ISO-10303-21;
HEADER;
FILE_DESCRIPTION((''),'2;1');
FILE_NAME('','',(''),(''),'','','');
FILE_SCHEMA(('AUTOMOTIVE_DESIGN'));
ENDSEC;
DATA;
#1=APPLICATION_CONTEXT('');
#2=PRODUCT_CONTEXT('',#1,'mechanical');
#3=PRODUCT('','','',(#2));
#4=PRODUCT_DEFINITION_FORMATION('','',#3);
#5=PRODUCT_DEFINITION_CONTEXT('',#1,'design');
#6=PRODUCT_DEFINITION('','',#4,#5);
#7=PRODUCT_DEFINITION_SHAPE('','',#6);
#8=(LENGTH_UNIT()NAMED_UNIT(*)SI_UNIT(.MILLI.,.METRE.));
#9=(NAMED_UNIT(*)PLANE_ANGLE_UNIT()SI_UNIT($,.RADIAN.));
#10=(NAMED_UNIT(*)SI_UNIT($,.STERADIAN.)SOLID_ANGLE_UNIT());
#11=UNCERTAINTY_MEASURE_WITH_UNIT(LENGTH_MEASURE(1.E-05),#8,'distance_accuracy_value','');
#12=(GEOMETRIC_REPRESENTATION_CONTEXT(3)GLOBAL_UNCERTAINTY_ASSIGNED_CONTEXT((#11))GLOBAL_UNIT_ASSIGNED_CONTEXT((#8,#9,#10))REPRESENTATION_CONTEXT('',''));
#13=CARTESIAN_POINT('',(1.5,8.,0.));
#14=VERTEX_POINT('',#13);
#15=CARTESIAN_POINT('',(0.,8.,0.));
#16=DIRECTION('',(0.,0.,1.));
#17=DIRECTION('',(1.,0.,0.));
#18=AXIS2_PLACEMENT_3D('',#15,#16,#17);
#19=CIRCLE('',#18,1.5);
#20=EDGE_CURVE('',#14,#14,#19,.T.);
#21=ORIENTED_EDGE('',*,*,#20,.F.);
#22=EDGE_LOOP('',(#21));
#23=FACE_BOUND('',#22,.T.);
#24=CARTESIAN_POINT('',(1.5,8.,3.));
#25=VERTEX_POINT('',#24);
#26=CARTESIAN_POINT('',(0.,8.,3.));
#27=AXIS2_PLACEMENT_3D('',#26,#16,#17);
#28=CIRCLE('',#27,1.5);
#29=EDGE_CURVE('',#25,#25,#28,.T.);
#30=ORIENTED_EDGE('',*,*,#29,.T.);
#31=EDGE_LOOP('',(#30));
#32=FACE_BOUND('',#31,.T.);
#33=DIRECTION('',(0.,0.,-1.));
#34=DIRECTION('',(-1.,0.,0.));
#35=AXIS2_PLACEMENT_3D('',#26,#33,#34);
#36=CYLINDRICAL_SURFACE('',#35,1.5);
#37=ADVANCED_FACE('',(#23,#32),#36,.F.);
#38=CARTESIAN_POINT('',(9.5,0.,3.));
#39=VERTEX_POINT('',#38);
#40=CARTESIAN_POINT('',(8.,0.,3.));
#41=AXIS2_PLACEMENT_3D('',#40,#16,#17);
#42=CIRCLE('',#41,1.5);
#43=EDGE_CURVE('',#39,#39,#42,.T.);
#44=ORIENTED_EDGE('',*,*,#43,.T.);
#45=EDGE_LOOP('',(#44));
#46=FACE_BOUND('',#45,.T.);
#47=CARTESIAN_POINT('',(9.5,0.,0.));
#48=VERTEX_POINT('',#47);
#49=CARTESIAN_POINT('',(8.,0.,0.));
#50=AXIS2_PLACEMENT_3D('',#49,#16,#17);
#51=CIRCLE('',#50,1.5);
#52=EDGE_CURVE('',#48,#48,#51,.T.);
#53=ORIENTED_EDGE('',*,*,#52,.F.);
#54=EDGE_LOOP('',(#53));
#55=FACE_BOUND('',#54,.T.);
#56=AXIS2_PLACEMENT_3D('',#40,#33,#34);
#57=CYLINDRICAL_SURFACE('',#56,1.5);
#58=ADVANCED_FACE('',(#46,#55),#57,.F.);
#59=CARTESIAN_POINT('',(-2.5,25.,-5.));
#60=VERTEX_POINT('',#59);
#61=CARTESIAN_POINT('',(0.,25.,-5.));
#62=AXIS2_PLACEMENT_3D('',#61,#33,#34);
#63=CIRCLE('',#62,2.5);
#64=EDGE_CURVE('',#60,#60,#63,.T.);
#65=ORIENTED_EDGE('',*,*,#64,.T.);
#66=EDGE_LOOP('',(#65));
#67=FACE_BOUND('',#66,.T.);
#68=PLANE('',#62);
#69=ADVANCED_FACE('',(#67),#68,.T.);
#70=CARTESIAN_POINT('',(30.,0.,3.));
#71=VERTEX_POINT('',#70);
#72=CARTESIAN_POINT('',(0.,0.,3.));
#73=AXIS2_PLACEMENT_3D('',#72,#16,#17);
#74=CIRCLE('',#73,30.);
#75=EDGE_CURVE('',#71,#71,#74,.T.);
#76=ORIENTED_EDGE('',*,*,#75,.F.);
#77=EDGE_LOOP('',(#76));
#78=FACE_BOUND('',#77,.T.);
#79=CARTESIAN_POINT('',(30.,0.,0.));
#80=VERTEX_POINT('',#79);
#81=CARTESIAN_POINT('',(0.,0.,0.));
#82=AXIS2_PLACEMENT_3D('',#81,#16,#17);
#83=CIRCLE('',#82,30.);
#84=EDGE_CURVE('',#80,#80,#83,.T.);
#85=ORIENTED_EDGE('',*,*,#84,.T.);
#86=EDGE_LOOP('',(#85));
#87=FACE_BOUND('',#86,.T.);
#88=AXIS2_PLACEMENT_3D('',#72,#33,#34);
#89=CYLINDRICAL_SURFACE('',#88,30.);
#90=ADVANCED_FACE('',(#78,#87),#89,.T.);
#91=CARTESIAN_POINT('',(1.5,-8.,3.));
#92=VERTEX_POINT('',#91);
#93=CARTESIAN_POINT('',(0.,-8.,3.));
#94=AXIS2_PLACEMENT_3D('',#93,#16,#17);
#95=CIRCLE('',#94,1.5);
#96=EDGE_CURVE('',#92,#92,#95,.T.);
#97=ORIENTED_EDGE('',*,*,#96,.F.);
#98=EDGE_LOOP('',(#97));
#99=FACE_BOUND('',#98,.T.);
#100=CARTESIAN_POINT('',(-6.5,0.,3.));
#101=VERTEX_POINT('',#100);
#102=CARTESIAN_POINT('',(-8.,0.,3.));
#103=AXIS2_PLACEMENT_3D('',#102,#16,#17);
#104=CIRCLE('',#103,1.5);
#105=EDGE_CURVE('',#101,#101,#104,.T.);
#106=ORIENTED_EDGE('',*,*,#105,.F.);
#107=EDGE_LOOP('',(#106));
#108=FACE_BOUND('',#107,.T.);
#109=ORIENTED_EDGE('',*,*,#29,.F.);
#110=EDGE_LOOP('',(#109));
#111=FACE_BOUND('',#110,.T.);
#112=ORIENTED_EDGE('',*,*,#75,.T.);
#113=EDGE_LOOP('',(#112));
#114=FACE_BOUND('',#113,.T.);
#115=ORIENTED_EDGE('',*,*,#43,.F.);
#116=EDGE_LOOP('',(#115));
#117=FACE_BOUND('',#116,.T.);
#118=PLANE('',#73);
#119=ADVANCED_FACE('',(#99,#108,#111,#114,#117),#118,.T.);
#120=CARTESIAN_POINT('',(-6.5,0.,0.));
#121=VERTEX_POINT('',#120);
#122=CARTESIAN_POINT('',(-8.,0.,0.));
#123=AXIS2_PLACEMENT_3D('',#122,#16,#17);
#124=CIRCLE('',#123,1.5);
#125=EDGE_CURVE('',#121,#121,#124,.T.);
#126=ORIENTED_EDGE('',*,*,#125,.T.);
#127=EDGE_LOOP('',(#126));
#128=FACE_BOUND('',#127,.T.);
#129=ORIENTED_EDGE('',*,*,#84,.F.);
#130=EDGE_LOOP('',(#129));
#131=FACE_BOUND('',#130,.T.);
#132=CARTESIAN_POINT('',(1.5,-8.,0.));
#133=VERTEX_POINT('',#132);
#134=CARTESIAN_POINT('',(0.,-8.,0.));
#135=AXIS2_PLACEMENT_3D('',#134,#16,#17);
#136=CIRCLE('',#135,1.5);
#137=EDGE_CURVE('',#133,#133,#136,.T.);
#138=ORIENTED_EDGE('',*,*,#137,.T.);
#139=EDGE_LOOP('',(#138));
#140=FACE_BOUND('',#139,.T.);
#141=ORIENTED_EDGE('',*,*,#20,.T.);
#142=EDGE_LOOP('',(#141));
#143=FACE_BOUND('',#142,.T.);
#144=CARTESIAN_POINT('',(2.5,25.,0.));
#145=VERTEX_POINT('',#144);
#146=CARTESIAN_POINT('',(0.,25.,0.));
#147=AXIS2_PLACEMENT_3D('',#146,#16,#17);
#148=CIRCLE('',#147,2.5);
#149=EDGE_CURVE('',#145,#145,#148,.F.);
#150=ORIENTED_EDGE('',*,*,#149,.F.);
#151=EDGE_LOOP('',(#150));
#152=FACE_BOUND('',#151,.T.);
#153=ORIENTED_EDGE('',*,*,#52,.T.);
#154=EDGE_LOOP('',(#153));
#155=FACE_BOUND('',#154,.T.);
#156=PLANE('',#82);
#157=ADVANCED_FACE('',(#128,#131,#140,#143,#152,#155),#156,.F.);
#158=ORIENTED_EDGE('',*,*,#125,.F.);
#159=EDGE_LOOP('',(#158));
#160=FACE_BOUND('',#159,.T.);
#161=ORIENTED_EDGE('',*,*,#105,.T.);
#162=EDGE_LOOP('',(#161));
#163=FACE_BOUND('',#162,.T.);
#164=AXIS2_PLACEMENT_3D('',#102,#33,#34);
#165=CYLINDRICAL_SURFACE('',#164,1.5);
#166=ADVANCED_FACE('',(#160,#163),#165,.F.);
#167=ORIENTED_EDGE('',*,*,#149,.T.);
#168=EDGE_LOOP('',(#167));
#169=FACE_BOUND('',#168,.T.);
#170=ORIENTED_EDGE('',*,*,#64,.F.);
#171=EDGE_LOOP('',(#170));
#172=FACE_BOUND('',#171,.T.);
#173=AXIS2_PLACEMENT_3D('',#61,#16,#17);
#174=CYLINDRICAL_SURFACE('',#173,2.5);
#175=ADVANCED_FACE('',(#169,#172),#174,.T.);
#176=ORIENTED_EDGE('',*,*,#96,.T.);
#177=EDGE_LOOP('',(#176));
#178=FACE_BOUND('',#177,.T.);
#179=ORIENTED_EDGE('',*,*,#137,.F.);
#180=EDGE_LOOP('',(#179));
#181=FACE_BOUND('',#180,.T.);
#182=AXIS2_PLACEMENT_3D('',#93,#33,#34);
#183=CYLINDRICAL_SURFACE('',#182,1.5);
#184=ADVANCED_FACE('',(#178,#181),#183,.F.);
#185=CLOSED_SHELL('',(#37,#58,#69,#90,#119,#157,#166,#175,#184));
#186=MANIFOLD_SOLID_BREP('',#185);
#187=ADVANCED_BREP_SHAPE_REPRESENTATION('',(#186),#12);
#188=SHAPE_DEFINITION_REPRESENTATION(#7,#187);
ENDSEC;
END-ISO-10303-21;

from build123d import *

# Parameters (mm, degrees)
SKETCH3_R           = 30
SKETCH3_R_2         = 1.5
BOSS_EXTRUDE2_DEPTH = 3
SKETCH4_R           = 2.5
BOSS_EXTRUDE3_DEPTH = 5


with BuildPart() as part:
    # Sketch3 → Boss-Extrude2 (new body)
    with BuildSketch(Plane.XY):
        Circle(SKETCH3_R)
        with Locations((-8, 0)):
            Circle(SKETCH3_R_2, mode=Mode.SUBTRACT)
        with Locations((0, 8)):
            Circle(SKETCH3_R_2, mode=Mode.SUBTRACT)
        with Locations((8, 0)):
            Circle(SKETCH3_R_2, mode=Mode.SUBTRACT)
        with Locations((0, -8)):
            Circle(SKETCH3_R_2, mode=Mode.SUBTRACT)
    extrude(amount=BOSS_EXTRUDE2_DEPTH)

    # Sketch4 → Boss-Extrude3 (add)
    with BuildSketch(Plane(origin=(0, 0, 0), x_dir=(-1, 0, 0), z_dir=(0, 0, -1))):
        with Locations((0, 25)):
            Circle(SKETCH4_R)
    extrude(amount=BOSS_EXTRUDE3_DEPTH)


solid = part.part
